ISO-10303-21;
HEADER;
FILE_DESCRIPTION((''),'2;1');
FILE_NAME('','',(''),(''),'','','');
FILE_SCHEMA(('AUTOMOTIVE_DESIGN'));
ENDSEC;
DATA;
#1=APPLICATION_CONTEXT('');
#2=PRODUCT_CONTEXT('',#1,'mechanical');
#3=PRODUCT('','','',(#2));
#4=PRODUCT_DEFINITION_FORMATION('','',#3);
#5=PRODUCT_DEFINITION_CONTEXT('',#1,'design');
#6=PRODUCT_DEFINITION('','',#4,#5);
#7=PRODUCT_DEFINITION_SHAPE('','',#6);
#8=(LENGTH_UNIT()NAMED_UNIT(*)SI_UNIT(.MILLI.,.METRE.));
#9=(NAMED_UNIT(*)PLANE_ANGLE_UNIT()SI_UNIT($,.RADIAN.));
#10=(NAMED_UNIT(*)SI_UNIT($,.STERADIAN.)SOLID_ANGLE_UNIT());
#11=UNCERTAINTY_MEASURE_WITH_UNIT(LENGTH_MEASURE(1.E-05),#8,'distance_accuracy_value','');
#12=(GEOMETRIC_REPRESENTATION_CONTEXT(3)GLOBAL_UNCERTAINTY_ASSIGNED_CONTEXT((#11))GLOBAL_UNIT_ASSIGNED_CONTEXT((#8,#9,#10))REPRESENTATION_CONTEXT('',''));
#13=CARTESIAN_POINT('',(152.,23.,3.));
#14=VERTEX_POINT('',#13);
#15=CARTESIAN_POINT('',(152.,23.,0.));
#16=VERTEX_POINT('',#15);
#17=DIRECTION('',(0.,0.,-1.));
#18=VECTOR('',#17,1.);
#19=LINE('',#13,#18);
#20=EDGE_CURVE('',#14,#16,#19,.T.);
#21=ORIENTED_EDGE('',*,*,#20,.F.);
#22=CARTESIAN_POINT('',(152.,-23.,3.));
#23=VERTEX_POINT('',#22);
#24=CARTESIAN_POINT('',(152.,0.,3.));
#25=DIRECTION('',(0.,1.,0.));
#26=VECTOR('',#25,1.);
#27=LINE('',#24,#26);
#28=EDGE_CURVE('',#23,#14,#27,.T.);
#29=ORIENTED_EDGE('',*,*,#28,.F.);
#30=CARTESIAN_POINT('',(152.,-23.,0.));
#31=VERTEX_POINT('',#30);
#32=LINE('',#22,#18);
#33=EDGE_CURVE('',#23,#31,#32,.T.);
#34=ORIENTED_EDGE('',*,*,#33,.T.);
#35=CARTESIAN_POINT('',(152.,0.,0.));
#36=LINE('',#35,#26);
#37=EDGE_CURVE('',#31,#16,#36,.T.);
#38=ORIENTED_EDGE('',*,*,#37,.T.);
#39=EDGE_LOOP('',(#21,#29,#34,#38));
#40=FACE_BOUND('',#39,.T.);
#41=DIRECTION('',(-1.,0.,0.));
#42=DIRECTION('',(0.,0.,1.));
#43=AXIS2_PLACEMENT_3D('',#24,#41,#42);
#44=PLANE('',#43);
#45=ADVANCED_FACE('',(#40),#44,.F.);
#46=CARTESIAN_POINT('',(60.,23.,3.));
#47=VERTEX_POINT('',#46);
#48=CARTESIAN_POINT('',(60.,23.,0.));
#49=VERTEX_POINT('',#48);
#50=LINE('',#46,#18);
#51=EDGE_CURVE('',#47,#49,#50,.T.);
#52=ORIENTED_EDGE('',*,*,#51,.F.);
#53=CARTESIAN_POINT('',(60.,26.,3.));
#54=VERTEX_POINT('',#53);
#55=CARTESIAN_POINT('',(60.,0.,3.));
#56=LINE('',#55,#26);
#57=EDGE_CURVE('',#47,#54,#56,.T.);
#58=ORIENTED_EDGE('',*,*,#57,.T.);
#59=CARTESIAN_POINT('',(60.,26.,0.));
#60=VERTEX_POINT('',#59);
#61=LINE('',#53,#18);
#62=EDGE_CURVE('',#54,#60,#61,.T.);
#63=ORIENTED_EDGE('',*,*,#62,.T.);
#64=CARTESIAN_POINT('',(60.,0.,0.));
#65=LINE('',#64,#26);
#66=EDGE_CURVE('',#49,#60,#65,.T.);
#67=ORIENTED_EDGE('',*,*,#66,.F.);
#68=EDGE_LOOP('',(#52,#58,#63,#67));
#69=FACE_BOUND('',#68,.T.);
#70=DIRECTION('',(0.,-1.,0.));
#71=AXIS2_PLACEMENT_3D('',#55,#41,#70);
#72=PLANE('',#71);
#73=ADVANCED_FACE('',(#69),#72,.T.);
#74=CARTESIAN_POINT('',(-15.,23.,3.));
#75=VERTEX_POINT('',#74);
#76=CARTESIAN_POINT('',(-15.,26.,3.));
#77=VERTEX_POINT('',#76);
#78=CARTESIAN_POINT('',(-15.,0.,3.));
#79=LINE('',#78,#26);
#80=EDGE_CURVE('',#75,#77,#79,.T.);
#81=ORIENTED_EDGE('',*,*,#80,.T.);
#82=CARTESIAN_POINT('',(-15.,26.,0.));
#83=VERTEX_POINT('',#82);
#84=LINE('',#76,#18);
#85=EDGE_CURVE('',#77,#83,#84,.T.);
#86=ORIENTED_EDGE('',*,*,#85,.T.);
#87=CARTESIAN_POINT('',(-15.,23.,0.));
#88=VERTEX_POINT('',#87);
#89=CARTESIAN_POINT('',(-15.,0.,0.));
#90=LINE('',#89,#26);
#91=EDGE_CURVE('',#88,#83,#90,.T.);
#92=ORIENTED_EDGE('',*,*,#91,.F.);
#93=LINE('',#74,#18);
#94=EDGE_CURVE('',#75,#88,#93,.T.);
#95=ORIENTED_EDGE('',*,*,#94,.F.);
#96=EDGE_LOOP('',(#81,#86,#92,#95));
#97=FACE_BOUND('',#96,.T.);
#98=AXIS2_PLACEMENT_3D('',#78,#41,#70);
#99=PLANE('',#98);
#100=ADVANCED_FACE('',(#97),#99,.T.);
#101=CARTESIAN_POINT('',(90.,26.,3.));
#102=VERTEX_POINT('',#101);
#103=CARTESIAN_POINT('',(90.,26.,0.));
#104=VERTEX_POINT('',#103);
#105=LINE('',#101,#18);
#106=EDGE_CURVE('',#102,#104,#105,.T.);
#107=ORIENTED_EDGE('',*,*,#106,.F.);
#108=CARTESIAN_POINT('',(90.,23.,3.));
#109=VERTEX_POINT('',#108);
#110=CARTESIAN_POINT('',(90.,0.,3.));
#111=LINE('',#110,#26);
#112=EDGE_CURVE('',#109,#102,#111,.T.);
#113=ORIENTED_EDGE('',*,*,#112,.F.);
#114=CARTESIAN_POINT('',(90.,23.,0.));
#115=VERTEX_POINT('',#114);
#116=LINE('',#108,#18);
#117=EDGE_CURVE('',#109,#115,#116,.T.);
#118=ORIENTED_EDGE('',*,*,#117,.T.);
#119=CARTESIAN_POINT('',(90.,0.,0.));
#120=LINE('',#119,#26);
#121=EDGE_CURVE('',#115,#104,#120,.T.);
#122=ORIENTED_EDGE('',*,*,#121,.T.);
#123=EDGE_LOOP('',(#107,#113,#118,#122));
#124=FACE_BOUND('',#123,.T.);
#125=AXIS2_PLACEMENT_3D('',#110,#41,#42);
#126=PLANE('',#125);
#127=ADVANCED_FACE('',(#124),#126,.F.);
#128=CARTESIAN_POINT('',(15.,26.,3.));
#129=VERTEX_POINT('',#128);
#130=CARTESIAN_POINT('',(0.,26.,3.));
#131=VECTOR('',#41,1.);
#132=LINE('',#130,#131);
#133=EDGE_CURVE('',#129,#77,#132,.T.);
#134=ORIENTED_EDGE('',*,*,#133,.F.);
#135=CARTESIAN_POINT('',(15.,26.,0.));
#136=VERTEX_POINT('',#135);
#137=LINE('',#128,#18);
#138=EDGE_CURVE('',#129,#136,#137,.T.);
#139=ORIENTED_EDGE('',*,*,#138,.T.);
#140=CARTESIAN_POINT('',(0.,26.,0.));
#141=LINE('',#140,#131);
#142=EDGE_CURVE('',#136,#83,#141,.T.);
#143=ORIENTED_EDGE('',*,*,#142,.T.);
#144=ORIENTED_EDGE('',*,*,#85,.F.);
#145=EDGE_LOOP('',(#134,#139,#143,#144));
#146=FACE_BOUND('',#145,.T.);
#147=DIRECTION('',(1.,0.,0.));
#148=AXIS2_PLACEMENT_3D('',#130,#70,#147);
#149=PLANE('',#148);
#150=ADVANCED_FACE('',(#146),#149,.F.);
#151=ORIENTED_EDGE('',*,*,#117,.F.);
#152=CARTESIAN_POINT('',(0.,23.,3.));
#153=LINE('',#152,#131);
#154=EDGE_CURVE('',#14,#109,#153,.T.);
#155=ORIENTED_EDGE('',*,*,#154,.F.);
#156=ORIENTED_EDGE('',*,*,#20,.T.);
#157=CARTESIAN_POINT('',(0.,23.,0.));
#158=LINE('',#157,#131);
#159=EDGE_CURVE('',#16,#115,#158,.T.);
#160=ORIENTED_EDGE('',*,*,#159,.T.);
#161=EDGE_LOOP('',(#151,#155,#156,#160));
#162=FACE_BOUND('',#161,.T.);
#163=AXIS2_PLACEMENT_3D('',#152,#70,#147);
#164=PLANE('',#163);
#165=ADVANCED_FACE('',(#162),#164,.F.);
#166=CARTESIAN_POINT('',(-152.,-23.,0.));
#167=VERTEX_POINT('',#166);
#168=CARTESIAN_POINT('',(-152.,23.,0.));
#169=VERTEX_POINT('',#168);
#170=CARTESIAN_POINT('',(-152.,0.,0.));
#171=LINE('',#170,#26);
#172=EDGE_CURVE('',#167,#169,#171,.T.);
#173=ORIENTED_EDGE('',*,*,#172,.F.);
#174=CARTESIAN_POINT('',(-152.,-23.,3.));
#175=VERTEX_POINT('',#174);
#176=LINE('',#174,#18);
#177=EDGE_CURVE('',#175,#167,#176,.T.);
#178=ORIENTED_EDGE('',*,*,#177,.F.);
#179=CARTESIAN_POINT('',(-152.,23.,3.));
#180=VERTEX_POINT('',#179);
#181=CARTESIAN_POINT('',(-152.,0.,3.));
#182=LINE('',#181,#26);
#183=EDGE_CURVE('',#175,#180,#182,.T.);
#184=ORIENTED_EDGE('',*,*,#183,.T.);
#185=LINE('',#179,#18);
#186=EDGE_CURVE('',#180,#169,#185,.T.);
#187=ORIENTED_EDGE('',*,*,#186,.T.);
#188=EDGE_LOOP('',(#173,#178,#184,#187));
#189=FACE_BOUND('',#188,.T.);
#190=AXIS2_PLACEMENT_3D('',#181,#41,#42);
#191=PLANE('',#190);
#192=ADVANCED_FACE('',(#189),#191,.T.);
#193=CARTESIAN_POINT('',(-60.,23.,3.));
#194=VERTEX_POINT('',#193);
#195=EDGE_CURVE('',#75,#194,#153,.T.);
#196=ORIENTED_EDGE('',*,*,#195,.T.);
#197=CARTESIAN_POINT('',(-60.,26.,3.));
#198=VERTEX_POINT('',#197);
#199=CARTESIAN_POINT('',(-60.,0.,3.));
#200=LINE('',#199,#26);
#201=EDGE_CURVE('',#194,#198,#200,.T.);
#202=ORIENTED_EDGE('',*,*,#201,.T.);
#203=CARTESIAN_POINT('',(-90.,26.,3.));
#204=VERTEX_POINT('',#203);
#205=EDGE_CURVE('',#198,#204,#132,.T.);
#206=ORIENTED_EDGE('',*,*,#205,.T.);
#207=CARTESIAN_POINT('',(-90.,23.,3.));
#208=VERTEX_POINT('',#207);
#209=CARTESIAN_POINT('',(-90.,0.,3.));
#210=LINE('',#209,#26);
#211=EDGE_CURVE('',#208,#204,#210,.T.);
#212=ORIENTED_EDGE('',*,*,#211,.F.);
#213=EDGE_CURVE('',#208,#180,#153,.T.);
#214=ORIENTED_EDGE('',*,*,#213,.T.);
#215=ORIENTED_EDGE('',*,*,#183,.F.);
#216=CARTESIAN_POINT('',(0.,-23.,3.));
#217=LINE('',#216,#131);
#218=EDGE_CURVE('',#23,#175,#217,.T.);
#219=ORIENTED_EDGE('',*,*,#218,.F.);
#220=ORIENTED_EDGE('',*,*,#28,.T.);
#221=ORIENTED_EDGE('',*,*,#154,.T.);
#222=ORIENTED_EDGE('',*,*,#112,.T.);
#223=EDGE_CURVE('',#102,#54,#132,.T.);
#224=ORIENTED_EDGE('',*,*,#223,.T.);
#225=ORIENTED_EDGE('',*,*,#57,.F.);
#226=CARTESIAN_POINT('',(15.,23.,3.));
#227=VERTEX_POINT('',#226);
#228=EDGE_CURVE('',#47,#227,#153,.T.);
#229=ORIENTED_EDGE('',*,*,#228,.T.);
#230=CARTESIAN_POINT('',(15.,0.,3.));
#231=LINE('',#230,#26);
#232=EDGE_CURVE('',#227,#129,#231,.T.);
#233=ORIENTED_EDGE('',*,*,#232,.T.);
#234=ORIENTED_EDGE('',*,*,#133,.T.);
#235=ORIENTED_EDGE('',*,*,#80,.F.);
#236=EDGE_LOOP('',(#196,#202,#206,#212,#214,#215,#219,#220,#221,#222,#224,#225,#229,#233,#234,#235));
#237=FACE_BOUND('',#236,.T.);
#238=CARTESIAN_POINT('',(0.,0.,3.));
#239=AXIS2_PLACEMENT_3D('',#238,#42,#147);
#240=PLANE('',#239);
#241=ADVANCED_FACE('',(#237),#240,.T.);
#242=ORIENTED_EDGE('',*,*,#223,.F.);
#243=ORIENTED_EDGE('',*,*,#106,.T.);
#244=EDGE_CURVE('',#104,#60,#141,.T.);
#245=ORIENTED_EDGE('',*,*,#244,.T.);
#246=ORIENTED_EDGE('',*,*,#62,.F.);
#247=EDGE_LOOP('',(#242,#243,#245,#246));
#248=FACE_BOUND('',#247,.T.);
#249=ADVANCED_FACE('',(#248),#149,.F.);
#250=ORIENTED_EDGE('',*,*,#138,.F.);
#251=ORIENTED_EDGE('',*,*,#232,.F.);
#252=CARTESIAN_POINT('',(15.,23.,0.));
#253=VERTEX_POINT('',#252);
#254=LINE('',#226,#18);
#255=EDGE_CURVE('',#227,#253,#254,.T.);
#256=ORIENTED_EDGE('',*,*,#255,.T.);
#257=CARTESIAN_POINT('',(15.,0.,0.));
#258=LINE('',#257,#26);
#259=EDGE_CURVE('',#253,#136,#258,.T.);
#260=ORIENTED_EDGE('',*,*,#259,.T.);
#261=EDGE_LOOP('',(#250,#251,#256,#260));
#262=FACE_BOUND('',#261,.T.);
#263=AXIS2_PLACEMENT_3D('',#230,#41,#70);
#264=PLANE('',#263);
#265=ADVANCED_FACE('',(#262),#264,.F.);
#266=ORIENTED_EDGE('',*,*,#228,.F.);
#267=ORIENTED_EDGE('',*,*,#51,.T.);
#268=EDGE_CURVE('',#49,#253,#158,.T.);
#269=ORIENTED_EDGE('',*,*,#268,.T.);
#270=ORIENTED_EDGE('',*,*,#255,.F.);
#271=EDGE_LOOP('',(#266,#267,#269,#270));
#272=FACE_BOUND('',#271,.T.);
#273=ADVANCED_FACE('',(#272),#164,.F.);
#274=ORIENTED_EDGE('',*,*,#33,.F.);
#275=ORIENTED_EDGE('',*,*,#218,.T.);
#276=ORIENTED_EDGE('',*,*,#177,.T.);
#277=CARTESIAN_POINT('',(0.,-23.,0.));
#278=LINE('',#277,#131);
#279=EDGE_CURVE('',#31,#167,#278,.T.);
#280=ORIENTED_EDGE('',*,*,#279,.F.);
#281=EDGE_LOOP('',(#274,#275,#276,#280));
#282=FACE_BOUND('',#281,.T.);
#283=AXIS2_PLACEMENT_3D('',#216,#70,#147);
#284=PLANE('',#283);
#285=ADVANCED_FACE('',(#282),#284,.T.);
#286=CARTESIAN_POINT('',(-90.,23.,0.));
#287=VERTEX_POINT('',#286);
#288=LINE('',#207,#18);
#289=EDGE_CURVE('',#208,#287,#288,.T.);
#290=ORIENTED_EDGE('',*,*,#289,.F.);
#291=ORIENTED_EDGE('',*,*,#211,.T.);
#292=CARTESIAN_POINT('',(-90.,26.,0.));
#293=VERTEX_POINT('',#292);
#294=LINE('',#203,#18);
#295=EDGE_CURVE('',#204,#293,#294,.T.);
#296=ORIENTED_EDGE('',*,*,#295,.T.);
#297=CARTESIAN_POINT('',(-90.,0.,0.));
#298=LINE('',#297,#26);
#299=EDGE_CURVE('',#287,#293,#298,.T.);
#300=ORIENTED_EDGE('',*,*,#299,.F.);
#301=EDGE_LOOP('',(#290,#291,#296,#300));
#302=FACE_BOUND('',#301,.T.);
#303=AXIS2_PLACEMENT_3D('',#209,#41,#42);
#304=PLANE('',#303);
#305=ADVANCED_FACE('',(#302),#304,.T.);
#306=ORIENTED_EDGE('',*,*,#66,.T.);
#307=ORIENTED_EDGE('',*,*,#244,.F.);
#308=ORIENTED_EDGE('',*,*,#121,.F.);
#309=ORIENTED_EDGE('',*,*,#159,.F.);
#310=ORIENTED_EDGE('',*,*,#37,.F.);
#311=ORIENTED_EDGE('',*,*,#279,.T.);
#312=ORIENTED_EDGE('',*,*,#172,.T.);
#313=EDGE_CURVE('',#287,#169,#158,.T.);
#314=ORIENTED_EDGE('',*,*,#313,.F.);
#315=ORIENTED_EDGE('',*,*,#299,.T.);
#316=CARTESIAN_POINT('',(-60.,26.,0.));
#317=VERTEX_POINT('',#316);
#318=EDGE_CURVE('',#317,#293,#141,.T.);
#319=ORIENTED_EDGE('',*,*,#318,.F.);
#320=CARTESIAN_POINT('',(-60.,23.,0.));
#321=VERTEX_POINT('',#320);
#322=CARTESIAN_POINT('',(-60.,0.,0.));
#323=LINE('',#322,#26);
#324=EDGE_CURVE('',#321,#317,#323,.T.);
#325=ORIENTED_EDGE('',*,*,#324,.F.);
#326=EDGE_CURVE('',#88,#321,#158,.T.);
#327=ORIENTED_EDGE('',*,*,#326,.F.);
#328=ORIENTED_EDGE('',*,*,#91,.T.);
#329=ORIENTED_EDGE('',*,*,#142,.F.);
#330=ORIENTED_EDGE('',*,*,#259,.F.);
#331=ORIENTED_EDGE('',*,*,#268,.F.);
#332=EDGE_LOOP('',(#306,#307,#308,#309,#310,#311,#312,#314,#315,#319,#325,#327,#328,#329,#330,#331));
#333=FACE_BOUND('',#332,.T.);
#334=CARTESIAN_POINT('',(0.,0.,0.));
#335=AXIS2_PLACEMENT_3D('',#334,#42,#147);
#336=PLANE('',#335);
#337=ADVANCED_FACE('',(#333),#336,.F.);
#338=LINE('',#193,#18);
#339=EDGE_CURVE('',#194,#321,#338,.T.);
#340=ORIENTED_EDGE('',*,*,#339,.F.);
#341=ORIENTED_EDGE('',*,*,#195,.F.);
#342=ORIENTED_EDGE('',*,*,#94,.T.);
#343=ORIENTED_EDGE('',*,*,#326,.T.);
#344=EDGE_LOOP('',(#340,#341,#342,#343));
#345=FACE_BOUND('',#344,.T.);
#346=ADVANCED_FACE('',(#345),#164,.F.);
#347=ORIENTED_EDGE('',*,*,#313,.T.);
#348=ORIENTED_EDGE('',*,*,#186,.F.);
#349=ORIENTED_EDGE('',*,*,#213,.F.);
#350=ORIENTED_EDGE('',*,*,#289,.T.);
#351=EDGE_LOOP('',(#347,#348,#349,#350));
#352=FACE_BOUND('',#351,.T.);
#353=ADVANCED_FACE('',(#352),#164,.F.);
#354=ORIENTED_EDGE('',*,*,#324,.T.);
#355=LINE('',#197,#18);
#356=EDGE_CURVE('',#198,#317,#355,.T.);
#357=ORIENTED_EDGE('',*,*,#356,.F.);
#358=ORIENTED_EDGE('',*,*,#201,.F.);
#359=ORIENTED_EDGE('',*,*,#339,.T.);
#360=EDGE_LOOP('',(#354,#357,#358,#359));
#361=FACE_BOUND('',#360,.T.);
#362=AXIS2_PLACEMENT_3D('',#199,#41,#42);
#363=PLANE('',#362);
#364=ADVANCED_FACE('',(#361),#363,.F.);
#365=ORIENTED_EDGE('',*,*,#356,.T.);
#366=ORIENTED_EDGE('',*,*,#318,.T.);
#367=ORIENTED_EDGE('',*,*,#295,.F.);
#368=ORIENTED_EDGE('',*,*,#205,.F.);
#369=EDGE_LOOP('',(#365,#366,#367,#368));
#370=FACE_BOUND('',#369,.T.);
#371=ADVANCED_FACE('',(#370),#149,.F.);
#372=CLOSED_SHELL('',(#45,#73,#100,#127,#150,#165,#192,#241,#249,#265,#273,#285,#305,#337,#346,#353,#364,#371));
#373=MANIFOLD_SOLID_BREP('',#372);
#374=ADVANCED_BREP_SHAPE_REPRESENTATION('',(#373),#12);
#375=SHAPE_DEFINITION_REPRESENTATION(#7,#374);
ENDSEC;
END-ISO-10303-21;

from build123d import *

# Parameters (mm, degrees)
BOSS_EXTRU_1_DEPTH = 3


with BuildPart() as part:
    # Esquisse1 → Boss.-Extru.1 (new body)
    with BuildSketch(Plane.XY):
        Polygon((152, -23), (-152, -23), (-152, 23), (-90, 23), (-90, 26), (-60, 26), (-60, 23), (-15, 23), (-15, 26), (15, 26), (15, 23), (60, 23), (60, 26), (90, 26), (90, 23), (152, 23), align=None)
    extrude(amount=BOSS_EXTRU_1_DEPTH)


solid = part.part
